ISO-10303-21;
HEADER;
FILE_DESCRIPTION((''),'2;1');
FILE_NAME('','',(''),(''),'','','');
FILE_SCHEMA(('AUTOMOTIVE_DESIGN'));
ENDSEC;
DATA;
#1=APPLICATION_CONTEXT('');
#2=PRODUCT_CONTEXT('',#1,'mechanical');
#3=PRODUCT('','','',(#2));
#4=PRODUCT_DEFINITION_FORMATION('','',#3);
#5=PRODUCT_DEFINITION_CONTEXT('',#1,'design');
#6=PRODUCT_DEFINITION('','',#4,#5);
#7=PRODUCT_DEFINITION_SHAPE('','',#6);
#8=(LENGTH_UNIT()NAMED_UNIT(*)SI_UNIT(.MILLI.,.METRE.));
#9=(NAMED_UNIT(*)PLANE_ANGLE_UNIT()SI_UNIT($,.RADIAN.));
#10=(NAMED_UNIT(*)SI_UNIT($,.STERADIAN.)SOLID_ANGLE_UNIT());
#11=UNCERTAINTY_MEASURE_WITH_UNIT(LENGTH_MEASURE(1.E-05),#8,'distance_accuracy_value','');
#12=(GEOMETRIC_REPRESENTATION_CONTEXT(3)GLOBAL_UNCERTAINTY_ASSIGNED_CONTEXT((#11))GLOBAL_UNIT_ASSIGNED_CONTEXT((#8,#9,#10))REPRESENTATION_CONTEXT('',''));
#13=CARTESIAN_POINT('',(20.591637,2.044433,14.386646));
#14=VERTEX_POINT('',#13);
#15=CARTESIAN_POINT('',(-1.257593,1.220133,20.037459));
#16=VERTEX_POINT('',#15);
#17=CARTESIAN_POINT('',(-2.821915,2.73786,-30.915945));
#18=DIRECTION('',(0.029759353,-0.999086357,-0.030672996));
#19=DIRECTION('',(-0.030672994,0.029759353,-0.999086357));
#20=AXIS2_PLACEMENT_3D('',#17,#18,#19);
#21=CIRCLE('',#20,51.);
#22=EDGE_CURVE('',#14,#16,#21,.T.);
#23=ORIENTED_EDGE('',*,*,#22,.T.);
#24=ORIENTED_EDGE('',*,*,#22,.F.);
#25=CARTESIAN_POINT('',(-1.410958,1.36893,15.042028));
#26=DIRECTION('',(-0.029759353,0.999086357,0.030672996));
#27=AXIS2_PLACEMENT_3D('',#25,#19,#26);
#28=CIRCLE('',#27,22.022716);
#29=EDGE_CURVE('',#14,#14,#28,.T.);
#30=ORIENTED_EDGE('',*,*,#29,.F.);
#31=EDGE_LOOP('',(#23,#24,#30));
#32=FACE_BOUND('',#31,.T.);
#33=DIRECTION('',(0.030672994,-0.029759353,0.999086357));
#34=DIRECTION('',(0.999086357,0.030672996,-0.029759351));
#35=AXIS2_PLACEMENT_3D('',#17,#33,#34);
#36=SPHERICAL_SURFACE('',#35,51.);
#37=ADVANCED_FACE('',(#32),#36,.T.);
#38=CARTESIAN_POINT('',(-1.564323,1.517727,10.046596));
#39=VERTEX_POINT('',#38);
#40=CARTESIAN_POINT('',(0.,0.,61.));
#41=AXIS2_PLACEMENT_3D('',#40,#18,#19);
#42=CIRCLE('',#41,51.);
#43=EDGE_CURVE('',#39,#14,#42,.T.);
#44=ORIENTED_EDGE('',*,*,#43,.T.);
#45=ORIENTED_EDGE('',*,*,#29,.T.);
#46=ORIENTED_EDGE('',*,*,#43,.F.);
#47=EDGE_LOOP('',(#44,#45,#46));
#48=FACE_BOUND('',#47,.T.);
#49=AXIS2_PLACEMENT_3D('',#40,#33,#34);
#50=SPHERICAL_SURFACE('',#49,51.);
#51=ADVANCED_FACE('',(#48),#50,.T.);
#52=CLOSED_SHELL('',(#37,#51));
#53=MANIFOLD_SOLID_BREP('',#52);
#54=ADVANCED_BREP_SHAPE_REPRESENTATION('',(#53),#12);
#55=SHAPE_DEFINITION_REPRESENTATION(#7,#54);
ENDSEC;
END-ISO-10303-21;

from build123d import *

# Parameters (mm, degrees)
COMMON_ROLL_ANGLE      = 1.758488
COMMON_PITCH_ANGLE     = 1.705337
COMMON_PLACEMENT_ANGLE = 1.758488


with BuildPart() as sphere001:
    # Sphere001 → Sphere001 (revolve)
    with BuildSketch(Plane(origin=(0, 0, -92), x_dir=(1, 0, 0), z_dir=(0, -1, 0))):
        with BuildLine():
            ThreePointArc((0, -51), (51, 0), (0, 51))
            Line((0, 51), (0, -51))
        make_face()
    revolve(axis=Axis((0, 0, -92), (0, 0, 1)))


with BuildPart() as common:
    # Sphere → Sphere (revolve)
    with BuildSketch(Plane.XZ):
        with BuildLine():
            ThreePointArc((0, -51), (51, 0), (0, 51))
            Line((0, 51), (0, -51))
        make_face()
    revolve(axis=Axis((0, 0, 0), (0, 0, 1)))

    # Common: intersect Sphere001
    add(sphere001.part, mode=Mode.INTERSECT)


with BuildPart() as common_1:
    # Common roll: moved
    add(common.part.rotate(Axis((0, 0, 0), (1, 0, 0)), COMMON_ROLL_ANGLE))


with BuildPart() as common_2:
    # Common pitch: moved
    add(common_1.part.rotate(Axis((0, 0, 0), (0, 1, 0)), COMMON_PITCH_ANGLE))


with BuildPart() as common_3:
    # Common placement: moved
    add(common_2.part.moved(Location((0, 0, 61))).rotate(Axis((0, 0, 61), (0, 0, 1)), COMMON_PLACEMENT_ANGLE))


solid = common_3.part
